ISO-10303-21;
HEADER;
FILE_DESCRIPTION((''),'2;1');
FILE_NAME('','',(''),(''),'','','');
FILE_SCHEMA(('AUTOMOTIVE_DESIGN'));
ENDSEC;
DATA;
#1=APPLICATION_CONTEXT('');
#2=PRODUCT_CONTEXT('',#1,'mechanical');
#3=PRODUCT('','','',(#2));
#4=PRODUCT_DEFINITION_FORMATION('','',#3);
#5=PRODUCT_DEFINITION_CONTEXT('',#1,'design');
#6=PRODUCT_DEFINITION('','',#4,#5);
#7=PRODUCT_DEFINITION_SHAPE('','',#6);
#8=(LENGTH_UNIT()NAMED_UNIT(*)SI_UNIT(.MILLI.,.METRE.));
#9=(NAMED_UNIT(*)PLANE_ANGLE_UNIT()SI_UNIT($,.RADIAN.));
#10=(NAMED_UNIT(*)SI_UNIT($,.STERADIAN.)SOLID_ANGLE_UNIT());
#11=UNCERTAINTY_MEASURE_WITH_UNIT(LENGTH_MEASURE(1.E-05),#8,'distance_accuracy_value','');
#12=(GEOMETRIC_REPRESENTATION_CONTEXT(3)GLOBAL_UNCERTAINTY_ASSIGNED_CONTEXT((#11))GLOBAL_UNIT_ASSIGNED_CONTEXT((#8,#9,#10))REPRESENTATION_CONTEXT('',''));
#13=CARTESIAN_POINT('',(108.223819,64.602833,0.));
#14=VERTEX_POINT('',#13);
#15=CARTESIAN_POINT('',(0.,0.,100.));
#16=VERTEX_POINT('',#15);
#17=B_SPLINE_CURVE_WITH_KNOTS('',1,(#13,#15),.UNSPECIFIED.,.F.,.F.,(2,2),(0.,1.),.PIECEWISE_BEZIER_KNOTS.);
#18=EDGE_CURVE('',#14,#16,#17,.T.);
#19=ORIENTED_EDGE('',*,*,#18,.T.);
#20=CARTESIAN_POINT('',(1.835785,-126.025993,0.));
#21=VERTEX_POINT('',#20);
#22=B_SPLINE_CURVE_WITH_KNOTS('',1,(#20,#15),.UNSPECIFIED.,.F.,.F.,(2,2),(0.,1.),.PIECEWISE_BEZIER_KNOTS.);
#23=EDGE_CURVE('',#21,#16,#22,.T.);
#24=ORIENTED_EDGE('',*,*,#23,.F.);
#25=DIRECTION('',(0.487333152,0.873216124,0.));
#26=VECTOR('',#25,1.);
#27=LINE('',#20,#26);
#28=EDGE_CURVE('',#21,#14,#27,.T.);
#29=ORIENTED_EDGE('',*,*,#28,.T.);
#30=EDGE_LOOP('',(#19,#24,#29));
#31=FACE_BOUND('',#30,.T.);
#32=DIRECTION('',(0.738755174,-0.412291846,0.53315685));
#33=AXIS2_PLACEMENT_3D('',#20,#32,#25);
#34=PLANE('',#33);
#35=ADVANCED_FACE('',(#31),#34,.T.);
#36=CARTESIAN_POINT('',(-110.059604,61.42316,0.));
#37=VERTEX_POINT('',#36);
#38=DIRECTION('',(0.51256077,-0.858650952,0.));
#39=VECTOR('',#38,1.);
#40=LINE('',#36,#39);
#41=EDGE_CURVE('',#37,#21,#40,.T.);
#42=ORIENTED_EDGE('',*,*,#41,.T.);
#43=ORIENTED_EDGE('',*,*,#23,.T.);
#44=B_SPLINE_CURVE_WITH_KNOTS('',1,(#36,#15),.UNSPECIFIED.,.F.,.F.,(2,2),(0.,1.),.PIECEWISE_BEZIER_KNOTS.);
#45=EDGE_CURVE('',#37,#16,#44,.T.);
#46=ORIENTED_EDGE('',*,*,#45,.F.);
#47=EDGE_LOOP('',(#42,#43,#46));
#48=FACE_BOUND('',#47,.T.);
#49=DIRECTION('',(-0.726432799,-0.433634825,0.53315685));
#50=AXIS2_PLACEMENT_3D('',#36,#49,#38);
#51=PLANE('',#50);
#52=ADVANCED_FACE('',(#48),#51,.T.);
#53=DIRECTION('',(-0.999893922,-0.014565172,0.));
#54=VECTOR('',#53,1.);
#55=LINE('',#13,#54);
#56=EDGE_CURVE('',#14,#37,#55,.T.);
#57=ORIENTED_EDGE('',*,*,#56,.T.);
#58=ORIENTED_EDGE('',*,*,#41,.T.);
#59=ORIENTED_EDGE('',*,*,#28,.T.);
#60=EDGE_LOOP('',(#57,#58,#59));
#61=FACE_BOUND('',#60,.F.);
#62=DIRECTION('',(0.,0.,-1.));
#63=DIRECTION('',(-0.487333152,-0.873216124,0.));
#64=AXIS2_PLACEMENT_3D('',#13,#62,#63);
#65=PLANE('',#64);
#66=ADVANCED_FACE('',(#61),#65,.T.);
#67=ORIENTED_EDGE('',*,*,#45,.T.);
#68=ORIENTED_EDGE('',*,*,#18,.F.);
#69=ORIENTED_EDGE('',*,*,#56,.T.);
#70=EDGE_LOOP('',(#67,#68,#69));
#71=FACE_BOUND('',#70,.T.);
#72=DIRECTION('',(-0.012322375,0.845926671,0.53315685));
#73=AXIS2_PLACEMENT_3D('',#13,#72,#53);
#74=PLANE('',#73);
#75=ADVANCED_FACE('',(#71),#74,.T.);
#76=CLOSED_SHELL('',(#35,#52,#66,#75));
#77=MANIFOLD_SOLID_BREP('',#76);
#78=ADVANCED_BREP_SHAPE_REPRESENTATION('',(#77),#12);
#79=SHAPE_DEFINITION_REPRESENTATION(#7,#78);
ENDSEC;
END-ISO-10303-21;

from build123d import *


with BuildPart() as f3:
    # F0 (on Top) → F3 section 0
    with BuildSketch(Plane.XY, mode=Mode.PRIVATE) as f3_s0:
        Polygon((108.223819, 64.602833), (-110.059604, 61.42316), (1.835785, -126.025993), align=None)
    loft([f3_s0.sketch, Vertex(0, 0, 100)])


solid = f3.part
